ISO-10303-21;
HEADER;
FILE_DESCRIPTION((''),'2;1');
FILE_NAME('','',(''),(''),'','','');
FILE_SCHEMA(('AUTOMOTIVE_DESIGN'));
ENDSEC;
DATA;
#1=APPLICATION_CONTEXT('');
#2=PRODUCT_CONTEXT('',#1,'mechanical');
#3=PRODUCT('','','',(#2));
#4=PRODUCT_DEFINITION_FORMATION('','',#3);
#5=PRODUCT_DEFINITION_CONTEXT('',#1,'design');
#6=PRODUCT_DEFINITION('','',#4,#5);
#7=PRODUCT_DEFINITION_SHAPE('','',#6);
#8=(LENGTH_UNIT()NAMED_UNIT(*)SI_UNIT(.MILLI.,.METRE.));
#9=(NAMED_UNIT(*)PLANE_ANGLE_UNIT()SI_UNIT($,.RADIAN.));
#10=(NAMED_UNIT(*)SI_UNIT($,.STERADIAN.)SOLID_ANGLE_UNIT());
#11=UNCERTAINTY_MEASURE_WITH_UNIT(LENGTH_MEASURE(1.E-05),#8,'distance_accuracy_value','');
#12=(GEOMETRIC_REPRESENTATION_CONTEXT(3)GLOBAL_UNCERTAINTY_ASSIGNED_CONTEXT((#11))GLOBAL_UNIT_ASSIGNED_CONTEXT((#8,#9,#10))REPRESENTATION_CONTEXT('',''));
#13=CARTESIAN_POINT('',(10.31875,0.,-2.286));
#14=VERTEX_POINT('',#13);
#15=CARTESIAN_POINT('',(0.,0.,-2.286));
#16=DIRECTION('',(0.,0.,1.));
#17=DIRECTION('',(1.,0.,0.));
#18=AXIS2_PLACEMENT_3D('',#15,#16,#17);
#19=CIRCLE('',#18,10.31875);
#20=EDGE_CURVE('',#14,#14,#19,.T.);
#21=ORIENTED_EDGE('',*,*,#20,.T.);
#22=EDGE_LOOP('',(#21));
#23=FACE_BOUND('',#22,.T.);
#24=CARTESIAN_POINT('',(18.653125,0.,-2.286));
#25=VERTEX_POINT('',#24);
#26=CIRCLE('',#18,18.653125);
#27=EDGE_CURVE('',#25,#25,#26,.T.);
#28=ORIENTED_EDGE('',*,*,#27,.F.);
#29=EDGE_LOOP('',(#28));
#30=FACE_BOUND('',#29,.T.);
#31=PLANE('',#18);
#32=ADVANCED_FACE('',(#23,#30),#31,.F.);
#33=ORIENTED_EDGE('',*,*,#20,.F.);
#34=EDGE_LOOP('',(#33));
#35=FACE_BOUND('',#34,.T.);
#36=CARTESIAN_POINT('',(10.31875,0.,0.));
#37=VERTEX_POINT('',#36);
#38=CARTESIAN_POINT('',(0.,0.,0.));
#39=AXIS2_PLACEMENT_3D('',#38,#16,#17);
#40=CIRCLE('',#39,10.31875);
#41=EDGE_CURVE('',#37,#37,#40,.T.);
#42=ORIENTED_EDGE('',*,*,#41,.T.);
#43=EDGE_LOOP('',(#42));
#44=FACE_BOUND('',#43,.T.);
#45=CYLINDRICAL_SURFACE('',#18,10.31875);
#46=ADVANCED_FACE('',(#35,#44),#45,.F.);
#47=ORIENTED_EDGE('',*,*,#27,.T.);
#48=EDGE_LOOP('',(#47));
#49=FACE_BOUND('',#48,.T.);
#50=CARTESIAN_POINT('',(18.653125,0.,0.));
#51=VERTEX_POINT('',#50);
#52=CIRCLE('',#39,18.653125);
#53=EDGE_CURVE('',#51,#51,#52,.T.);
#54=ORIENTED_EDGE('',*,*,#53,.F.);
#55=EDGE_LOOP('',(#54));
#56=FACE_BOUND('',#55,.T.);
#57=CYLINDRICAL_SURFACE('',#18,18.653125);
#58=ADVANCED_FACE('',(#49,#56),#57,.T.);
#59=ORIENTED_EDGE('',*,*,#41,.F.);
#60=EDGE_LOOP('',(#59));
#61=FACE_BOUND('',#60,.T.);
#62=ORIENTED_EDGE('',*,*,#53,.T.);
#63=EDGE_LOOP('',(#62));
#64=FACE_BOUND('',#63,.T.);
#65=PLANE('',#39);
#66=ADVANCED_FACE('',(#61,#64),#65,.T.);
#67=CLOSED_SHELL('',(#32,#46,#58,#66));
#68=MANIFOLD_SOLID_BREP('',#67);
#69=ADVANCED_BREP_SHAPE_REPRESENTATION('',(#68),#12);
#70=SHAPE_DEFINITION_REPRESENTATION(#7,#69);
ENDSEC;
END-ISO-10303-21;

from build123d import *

# Parameters (mm, degrees)
SKETCH1_R      = 18.653125
SKETCH1_R_2    = 10.31875
EXTRUDE1_DEPTH = 2.286


with BuildPart() as part:
    # Sketch1 → Extrude1 (new body)
    with BuildSketch(Plane.XY):
        Circle(SKETCH1_R)
        Circle(SKETCH1_R_2, mode=Mode.SUBTRACT)
    extrude(amount=-EXTRUDE1_DEPTH)


solid = part.part
